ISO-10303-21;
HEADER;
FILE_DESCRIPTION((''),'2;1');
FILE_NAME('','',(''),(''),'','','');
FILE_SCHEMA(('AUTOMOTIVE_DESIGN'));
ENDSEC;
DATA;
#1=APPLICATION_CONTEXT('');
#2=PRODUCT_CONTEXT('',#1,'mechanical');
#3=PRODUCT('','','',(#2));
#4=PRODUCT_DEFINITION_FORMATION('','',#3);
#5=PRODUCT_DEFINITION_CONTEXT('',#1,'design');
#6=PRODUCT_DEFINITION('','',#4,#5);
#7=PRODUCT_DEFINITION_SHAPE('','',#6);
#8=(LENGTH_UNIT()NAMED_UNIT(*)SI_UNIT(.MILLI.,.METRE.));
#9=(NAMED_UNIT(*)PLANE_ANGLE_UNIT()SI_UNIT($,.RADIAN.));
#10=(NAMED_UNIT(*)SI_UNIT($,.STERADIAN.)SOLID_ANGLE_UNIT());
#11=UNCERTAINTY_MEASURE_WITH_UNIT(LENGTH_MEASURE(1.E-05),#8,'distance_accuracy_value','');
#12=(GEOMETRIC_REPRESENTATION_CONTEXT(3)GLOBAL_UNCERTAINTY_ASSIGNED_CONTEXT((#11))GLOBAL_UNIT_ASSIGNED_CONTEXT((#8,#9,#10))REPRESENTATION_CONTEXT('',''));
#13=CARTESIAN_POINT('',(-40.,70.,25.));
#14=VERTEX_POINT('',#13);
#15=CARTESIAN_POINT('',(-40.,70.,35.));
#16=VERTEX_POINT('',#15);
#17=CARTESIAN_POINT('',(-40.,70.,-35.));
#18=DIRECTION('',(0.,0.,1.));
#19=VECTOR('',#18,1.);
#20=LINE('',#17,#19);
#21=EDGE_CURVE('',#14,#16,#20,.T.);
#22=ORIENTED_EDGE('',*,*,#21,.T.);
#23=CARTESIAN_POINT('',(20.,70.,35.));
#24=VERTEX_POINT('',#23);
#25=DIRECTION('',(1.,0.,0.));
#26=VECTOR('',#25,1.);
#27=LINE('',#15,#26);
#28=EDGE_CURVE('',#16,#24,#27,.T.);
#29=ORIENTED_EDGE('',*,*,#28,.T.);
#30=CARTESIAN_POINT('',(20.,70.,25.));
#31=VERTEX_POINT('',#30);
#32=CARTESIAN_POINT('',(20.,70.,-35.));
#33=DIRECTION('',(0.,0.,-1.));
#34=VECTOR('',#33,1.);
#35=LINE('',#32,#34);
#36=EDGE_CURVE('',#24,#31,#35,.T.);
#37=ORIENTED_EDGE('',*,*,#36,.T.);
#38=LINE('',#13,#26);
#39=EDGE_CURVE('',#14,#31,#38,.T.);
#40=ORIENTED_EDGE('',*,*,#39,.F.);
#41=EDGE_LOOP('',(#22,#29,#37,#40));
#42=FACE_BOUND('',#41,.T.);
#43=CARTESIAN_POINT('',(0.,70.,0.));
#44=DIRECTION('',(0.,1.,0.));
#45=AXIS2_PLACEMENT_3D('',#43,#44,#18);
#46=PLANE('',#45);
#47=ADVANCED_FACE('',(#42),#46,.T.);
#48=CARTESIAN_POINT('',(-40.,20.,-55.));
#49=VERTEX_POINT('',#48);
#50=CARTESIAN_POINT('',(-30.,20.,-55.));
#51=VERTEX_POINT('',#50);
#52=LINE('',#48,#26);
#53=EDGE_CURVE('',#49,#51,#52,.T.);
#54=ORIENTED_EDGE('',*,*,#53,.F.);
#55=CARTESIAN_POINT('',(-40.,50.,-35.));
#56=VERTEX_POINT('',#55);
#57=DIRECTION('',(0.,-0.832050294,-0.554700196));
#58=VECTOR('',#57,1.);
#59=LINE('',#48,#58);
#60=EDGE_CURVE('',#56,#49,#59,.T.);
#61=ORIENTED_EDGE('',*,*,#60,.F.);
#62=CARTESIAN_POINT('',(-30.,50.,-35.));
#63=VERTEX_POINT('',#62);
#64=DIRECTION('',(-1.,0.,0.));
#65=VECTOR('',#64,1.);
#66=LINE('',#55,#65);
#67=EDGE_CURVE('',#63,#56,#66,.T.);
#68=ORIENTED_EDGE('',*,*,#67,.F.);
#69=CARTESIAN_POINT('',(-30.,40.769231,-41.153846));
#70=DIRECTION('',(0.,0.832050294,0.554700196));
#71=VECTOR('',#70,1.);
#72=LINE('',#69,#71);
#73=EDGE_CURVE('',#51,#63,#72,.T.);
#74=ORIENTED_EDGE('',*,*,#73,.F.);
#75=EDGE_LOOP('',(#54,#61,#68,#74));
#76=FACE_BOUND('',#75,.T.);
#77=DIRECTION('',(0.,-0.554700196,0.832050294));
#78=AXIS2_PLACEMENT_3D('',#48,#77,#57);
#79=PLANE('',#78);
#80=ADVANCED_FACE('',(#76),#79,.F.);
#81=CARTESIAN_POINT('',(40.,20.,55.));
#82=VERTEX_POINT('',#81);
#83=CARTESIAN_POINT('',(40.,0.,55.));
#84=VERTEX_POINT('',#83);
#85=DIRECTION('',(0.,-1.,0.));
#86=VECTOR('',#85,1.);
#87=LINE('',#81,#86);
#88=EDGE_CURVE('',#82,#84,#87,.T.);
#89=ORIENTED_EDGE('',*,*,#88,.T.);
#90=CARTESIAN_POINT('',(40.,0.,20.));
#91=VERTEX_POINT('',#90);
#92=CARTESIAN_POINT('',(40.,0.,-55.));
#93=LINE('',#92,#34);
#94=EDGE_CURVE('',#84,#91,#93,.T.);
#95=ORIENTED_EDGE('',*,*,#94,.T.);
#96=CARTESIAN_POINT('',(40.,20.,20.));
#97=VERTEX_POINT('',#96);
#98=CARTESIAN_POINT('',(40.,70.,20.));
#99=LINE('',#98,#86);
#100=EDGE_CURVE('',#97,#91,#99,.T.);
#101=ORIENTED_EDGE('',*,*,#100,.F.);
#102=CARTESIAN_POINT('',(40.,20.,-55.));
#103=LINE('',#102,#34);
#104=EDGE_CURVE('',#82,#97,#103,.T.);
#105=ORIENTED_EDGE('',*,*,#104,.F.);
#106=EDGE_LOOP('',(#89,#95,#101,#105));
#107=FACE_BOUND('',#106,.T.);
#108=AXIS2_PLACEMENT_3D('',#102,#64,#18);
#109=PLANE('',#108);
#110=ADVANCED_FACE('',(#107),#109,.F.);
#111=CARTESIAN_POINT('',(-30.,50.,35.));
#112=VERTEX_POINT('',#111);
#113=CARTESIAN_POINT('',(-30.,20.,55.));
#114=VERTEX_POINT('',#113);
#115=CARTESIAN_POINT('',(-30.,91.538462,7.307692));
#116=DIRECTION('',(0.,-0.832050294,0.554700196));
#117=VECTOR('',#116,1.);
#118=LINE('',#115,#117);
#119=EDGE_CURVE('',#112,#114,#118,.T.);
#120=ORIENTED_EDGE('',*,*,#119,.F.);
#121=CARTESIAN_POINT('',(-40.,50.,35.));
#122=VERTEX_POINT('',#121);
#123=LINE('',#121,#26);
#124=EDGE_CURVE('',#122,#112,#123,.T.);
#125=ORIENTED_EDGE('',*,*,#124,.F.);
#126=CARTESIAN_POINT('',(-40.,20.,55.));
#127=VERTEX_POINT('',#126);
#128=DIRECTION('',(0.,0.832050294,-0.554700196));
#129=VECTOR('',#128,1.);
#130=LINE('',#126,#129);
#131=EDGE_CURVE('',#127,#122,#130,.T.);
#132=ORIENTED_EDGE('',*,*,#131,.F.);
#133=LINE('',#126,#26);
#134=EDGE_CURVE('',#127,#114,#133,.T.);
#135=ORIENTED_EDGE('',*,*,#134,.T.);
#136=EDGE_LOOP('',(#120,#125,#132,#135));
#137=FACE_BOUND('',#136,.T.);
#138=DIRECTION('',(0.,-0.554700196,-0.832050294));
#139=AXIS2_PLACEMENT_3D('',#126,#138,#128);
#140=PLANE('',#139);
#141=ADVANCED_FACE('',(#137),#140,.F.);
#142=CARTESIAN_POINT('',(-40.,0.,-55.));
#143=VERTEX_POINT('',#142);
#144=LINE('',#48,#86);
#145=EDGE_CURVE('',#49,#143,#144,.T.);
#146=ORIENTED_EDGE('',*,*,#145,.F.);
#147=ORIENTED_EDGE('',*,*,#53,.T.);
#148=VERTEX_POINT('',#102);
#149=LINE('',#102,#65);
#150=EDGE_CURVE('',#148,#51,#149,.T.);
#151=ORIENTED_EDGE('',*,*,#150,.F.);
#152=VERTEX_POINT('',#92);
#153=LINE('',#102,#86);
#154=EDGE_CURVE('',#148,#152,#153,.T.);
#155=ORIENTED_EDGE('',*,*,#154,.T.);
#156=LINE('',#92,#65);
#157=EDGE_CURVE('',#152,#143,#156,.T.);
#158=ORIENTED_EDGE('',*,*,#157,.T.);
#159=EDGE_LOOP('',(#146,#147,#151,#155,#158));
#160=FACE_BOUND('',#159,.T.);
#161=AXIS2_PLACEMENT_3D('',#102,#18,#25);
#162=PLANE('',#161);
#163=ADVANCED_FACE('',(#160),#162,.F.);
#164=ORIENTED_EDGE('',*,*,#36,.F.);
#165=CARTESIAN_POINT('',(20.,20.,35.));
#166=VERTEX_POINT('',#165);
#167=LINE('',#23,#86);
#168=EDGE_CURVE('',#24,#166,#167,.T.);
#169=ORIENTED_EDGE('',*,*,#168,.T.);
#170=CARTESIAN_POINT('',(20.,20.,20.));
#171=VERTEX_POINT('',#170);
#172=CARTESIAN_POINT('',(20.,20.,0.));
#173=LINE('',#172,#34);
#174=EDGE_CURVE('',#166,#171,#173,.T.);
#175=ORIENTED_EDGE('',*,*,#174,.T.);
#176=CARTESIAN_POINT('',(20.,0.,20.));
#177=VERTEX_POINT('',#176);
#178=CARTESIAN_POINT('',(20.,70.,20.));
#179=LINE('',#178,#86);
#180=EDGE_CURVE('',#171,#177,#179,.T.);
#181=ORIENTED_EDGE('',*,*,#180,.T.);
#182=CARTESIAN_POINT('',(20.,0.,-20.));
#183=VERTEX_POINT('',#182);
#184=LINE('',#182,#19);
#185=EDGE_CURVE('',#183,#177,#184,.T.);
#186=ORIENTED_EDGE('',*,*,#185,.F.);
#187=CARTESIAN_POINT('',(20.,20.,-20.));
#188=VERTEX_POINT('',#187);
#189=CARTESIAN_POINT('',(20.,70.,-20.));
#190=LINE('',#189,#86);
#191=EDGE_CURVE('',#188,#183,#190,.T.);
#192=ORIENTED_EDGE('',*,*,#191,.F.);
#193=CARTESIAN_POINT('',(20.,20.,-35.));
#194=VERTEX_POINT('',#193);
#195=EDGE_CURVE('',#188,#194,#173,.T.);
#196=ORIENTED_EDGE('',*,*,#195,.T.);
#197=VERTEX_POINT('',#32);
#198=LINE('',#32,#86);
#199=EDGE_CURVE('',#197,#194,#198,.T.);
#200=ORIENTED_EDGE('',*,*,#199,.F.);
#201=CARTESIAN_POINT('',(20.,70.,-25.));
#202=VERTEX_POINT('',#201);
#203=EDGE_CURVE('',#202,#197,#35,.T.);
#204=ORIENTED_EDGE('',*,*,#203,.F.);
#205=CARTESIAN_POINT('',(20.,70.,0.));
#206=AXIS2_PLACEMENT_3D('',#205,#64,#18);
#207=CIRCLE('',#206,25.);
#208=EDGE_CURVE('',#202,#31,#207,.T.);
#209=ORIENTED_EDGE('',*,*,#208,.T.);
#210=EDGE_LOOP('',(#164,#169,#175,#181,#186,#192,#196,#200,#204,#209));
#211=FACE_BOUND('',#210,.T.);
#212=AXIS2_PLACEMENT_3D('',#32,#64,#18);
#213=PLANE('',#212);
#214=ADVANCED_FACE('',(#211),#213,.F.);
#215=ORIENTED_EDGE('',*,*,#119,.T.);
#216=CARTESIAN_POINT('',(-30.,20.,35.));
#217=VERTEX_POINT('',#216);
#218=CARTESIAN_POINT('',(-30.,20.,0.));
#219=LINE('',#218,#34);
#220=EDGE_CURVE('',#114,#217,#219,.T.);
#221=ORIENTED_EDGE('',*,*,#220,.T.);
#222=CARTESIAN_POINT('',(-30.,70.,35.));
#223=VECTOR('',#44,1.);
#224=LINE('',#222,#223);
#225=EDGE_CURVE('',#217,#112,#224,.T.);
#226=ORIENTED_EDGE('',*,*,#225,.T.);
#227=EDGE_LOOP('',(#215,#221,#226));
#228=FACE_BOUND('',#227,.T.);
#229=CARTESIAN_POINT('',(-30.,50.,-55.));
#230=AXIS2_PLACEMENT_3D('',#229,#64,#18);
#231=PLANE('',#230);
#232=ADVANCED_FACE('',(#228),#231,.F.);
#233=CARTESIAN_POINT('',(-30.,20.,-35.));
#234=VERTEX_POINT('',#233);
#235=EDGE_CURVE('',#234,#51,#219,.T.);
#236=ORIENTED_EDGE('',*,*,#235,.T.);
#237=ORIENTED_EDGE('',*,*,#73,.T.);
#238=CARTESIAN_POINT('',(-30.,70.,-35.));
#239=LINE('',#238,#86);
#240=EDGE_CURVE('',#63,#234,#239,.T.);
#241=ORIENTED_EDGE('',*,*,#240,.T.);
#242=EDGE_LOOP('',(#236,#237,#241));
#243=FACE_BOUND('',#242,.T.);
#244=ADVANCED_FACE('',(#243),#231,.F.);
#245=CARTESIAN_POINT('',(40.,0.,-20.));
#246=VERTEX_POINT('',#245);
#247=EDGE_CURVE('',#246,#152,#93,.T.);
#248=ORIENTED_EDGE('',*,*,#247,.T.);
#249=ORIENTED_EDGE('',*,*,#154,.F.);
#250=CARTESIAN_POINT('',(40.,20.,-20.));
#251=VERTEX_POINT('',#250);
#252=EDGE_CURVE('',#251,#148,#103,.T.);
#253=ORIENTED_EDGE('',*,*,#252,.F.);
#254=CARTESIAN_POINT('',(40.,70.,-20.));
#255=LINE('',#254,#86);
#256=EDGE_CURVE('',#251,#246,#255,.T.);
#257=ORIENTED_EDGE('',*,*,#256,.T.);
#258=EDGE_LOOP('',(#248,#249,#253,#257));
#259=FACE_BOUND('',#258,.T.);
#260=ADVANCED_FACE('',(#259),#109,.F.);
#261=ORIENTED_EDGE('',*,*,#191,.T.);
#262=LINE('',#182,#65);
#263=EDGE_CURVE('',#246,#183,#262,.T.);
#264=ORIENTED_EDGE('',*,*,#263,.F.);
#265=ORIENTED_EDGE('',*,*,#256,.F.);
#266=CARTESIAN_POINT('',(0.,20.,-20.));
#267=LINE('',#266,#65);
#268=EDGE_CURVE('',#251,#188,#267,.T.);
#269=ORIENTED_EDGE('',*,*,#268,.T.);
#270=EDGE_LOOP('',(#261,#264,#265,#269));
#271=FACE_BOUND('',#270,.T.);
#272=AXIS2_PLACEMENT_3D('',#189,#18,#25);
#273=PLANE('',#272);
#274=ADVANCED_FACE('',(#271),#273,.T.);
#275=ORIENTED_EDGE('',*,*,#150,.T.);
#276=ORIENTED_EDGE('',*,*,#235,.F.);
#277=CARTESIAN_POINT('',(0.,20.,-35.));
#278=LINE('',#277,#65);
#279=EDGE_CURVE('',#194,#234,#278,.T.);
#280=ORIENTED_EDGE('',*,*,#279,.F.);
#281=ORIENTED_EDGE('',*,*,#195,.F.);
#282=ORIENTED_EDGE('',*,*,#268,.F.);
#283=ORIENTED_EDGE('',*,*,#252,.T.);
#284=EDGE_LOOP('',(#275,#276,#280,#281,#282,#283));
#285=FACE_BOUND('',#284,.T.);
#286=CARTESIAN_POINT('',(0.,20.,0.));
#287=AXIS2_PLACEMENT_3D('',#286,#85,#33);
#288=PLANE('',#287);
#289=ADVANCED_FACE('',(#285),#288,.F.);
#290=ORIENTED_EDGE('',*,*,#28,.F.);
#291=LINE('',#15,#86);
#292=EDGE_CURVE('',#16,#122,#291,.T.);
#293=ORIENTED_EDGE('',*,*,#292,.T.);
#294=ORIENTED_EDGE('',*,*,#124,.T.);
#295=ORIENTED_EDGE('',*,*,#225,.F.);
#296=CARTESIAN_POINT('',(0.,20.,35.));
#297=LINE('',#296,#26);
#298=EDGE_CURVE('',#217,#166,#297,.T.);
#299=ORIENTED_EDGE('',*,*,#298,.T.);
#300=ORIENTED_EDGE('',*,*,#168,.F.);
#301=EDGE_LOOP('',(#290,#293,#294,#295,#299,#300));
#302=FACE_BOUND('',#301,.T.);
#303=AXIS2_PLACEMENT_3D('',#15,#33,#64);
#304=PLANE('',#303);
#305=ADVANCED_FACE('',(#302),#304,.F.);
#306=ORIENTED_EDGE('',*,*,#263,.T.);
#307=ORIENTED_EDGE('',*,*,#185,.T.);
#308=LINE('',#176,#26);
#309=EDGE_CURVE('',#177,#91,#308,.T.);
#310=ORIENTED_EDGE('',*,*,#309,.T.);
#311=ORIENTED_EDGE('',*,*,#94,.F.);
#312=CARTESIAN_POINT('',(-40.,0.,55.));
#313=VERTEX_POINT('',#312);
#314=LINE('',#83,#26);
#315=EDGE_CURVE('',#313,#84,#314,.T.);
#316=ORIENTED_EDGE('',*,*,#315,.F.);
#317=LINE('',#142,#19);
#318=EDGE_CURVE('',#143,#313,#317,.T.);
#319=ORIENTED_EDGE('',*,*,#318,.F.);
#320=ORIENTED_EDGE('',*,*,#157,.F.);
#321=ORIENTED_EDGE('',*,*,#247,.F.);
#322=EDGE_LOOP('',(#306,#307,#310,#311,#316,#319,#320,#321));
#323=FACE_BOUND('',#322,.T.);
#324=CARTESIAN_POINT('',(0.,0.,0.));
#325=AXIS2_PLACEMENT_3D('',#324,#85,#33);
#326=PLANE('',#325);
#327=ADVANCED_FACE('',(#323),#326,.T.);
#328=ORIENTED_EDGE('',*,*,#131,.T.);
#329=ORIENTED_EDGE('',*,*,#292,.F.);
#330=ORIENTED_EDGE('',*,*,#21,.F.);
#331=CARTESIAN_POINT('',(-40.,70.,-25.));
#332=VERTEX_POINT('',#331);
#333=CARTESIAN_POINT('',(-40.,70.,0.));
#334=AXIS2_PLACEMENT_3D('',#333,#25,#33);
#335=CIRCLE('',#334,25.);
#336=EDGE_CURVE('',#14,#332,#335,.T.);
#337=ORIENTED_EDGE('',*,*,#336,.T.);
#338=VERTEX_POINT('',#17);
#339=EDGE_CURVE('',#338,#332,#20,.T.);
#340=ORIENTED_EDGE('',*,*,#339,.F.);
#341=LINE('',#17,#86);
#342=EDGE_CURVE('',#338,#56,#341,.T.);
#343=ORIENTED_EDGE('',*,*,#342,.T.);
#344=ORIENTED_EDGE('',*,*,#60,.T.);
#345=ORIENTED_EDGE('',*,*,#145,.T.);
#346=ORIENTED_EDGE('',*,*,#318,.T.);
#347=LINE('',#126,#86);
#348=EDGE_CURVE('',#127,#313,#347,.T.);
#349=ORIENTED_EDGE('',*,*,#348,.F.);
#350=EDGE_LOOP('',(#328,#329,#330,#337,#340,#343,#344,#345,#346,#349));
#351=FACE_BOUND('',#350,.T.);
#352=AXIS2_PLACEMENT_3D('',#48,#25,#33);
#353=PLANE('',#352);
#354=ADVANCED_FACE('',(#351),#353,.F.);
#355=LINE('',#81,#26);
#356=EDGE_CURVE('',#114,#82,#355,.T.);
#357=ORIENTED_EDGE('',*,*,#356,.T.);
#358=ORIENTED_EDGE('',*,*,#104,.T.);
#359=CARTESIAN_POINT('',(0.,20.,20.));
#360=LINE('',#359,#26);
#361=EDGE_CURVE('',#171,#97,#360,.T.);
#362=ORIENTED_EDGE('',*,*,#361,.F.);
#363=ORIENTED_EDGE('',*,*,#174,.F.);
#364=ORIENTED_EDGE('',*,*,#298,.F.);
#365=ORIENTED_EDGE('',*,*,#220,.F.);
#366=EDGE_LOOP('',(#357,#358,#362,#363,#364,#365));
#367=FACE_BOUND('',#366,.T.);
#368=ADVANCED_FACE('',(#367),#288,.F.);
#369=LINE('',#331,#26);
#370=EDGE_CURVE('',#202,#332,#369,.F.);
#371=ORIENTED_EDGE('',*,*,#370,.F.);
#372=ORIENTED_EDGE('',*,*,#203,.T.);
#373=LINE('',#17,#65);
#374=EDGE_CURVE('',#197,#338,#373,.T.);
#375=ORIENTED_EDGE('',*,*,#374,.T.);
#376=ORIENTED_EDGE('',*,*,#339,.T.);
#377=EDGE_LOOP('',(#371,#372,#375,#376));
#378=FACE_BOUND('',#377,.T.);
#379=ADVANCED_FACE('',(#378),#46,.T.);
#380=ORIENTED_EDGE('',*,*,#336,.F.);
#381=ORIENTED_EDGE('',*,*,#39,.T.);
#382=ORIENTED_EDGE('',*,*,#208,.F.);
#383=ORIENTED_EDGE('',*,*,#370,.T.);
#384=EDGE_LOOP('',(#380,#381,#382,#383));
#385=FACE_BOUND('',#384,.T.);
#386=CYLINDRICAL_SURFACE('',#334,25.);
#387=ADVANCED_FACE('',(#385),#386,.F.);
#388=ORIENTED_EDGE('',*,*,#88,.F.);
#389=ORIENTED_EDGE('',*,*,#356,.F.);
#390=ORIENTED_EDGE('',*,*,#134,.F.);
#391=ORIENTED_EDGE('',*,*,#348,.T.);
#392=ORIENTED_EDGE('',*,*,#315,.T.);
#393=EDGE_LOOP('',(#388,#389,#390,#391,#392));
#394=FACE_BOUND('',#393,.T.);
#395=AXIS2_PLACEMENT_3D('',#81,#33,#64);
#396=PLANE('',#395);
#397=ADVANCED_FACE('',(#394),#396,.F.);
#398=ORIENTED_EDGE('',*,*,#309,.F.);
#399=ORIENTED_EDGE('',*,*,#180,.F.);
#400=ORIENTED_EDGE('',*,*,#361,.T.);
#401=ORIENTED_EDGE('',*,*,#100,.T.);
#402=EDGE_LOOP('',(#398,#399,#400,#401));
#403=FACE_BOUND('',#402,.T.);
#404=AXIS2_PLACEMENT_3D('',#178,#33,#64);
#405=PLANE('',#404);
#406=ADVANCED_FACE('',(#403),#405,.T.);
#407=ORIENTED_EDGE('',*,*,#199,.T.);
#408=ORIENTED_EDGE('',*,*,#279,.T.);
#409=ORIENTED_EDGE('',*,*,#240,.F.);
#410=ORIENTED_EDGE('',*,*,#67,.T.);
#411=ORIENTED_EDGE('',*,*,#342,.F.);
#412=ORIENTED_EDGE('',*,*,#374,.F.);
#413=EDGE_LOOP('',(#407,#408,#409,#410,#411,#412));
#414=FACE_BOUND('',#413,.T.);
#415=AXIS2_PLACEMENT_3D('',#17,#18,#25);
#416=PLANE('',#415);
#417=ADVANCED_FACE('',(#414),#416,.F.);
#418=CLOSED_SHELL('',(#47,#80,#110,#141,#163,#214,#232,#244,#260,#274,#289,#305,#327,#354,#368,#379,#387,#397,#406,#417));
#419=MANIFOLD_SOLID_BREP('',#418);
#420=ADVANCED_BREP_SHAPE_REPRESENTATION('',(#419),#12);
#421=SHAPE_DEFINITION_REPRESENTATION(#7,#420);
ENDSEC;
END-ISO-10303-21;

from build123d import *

# Parameters (mm, degrees)
SKETCH_3_W               = 80
SKETCH_3_H               = 110
EXTRUDE_2_DEPTH          = 20
SKETCH_4_W               = 60
SKETCH_4_H               = 70
EXTRUDE_3_DEPTH          = 70
SKETCH_5_W               = 10
SKETCH_5_H               = 110
EXTRUDE_4_DEPTH          = 50
SKETCH_6_W               = 20
SKETCH_6_H               = 40
CUT_EXTRUDE_1_DEPTH      = 98.59610648
CUT_EXTRUDE_2_DEPTH      = 98.59610648
CUT_EXTRUDE_3_DEPTH      = 98.59610648
CUT_EXTRUDE_3_DEPTH_BACK = 98.59610648
SKETCH_8_R               = 25


with BuildPart() as part:
    # Эскиз3 → Бобышка-Вытянуть2 (new body)
    with BuildSketch(Plane(origin=(0, 0, 0), x_dir=(1, 0, 0), z_dir=(0, 1, 0))):
        Rectangle(SKETCH_3_W, SKETCH_3_H)
    extrude(amount=EXTRUDE_2_DEPTH)

    # Эскиз4 → Бобышка-Вытянуть3 (add)
    with BuildSketch(Plane(origin=(0, 0, 0), x_dir=(1, 0, 0), z_dir=(0, 1, 0))):
        with Locations((-10, 0)):
            Rectangle(SKETCH_4_W, SKETCH_4_H)
    extrude(amount=EXTRUDE_3_DEPTH)

    # Эскиз5 → Бобышка-Вытянуть4 (add)
    with BuildSketch(Plane(origin=(0, 0, 0), x_dir=(1, 0, 0), z_dir=(0, 1, 0))):
        with Locations((-35, 0)):
            Rectangle(SKETCH_5_W, SKETCH_5_H)
    extrude(amount=EXTRUDE_4_DEPTH)

    # Эскиз6 → Вырез-Вытянуть1 (cut, through all)
    with BuildSketch(Plane(origin=(0, 0, 0), x_dir=(1, 0, 0), z_dir=(0, 1, 0))):
        with Locations((30, 0)):
            Rectangle(SKETCH_6_W, SKETCH_6_H)
    extrude(amount=CUT_EXTRUDE_1_DEPTH, mode=Mode.SUBTRACT)

    # Эскиз7 → Вырез-Вытянуть2 (cut, through all)
    with BuildSketch(Plane(origin=(0, 0, 0), x_dir=(0, 0, -1), z_dir=(1, 0, 0))):
        Polygon((-55, 20), (-35, 50), (-55, 50), align=None)
        Polygon((55, 20), (35, 50), (55, 50), align=None)
    extrude(amount=-CUT_EXTRUDE_2_DEPTH, mode=Mode.SUBTRACT)

    # Эскиз8 → Вырез-Вытянуть3 (cut, two sides: drawn at the far end of the back side and taken through both)
    with BuildSketch(Plane(origin=(0, 0, 0), x_dir=(0, 0, -1), z_dir=(1, 0, 0)).offset(-CUT_EXTRUDE_3_DEPTH_BACK)):
        with Locations((0, 70)):
            Circle(SKETCH_8_R)
    extrude(amount=CUT_EXTRUDE_3_DEPTH + CUT_EXTRUDE_3_DEPTH_BACK, mode=Mode.SUBTRACT)


solid = part.part
